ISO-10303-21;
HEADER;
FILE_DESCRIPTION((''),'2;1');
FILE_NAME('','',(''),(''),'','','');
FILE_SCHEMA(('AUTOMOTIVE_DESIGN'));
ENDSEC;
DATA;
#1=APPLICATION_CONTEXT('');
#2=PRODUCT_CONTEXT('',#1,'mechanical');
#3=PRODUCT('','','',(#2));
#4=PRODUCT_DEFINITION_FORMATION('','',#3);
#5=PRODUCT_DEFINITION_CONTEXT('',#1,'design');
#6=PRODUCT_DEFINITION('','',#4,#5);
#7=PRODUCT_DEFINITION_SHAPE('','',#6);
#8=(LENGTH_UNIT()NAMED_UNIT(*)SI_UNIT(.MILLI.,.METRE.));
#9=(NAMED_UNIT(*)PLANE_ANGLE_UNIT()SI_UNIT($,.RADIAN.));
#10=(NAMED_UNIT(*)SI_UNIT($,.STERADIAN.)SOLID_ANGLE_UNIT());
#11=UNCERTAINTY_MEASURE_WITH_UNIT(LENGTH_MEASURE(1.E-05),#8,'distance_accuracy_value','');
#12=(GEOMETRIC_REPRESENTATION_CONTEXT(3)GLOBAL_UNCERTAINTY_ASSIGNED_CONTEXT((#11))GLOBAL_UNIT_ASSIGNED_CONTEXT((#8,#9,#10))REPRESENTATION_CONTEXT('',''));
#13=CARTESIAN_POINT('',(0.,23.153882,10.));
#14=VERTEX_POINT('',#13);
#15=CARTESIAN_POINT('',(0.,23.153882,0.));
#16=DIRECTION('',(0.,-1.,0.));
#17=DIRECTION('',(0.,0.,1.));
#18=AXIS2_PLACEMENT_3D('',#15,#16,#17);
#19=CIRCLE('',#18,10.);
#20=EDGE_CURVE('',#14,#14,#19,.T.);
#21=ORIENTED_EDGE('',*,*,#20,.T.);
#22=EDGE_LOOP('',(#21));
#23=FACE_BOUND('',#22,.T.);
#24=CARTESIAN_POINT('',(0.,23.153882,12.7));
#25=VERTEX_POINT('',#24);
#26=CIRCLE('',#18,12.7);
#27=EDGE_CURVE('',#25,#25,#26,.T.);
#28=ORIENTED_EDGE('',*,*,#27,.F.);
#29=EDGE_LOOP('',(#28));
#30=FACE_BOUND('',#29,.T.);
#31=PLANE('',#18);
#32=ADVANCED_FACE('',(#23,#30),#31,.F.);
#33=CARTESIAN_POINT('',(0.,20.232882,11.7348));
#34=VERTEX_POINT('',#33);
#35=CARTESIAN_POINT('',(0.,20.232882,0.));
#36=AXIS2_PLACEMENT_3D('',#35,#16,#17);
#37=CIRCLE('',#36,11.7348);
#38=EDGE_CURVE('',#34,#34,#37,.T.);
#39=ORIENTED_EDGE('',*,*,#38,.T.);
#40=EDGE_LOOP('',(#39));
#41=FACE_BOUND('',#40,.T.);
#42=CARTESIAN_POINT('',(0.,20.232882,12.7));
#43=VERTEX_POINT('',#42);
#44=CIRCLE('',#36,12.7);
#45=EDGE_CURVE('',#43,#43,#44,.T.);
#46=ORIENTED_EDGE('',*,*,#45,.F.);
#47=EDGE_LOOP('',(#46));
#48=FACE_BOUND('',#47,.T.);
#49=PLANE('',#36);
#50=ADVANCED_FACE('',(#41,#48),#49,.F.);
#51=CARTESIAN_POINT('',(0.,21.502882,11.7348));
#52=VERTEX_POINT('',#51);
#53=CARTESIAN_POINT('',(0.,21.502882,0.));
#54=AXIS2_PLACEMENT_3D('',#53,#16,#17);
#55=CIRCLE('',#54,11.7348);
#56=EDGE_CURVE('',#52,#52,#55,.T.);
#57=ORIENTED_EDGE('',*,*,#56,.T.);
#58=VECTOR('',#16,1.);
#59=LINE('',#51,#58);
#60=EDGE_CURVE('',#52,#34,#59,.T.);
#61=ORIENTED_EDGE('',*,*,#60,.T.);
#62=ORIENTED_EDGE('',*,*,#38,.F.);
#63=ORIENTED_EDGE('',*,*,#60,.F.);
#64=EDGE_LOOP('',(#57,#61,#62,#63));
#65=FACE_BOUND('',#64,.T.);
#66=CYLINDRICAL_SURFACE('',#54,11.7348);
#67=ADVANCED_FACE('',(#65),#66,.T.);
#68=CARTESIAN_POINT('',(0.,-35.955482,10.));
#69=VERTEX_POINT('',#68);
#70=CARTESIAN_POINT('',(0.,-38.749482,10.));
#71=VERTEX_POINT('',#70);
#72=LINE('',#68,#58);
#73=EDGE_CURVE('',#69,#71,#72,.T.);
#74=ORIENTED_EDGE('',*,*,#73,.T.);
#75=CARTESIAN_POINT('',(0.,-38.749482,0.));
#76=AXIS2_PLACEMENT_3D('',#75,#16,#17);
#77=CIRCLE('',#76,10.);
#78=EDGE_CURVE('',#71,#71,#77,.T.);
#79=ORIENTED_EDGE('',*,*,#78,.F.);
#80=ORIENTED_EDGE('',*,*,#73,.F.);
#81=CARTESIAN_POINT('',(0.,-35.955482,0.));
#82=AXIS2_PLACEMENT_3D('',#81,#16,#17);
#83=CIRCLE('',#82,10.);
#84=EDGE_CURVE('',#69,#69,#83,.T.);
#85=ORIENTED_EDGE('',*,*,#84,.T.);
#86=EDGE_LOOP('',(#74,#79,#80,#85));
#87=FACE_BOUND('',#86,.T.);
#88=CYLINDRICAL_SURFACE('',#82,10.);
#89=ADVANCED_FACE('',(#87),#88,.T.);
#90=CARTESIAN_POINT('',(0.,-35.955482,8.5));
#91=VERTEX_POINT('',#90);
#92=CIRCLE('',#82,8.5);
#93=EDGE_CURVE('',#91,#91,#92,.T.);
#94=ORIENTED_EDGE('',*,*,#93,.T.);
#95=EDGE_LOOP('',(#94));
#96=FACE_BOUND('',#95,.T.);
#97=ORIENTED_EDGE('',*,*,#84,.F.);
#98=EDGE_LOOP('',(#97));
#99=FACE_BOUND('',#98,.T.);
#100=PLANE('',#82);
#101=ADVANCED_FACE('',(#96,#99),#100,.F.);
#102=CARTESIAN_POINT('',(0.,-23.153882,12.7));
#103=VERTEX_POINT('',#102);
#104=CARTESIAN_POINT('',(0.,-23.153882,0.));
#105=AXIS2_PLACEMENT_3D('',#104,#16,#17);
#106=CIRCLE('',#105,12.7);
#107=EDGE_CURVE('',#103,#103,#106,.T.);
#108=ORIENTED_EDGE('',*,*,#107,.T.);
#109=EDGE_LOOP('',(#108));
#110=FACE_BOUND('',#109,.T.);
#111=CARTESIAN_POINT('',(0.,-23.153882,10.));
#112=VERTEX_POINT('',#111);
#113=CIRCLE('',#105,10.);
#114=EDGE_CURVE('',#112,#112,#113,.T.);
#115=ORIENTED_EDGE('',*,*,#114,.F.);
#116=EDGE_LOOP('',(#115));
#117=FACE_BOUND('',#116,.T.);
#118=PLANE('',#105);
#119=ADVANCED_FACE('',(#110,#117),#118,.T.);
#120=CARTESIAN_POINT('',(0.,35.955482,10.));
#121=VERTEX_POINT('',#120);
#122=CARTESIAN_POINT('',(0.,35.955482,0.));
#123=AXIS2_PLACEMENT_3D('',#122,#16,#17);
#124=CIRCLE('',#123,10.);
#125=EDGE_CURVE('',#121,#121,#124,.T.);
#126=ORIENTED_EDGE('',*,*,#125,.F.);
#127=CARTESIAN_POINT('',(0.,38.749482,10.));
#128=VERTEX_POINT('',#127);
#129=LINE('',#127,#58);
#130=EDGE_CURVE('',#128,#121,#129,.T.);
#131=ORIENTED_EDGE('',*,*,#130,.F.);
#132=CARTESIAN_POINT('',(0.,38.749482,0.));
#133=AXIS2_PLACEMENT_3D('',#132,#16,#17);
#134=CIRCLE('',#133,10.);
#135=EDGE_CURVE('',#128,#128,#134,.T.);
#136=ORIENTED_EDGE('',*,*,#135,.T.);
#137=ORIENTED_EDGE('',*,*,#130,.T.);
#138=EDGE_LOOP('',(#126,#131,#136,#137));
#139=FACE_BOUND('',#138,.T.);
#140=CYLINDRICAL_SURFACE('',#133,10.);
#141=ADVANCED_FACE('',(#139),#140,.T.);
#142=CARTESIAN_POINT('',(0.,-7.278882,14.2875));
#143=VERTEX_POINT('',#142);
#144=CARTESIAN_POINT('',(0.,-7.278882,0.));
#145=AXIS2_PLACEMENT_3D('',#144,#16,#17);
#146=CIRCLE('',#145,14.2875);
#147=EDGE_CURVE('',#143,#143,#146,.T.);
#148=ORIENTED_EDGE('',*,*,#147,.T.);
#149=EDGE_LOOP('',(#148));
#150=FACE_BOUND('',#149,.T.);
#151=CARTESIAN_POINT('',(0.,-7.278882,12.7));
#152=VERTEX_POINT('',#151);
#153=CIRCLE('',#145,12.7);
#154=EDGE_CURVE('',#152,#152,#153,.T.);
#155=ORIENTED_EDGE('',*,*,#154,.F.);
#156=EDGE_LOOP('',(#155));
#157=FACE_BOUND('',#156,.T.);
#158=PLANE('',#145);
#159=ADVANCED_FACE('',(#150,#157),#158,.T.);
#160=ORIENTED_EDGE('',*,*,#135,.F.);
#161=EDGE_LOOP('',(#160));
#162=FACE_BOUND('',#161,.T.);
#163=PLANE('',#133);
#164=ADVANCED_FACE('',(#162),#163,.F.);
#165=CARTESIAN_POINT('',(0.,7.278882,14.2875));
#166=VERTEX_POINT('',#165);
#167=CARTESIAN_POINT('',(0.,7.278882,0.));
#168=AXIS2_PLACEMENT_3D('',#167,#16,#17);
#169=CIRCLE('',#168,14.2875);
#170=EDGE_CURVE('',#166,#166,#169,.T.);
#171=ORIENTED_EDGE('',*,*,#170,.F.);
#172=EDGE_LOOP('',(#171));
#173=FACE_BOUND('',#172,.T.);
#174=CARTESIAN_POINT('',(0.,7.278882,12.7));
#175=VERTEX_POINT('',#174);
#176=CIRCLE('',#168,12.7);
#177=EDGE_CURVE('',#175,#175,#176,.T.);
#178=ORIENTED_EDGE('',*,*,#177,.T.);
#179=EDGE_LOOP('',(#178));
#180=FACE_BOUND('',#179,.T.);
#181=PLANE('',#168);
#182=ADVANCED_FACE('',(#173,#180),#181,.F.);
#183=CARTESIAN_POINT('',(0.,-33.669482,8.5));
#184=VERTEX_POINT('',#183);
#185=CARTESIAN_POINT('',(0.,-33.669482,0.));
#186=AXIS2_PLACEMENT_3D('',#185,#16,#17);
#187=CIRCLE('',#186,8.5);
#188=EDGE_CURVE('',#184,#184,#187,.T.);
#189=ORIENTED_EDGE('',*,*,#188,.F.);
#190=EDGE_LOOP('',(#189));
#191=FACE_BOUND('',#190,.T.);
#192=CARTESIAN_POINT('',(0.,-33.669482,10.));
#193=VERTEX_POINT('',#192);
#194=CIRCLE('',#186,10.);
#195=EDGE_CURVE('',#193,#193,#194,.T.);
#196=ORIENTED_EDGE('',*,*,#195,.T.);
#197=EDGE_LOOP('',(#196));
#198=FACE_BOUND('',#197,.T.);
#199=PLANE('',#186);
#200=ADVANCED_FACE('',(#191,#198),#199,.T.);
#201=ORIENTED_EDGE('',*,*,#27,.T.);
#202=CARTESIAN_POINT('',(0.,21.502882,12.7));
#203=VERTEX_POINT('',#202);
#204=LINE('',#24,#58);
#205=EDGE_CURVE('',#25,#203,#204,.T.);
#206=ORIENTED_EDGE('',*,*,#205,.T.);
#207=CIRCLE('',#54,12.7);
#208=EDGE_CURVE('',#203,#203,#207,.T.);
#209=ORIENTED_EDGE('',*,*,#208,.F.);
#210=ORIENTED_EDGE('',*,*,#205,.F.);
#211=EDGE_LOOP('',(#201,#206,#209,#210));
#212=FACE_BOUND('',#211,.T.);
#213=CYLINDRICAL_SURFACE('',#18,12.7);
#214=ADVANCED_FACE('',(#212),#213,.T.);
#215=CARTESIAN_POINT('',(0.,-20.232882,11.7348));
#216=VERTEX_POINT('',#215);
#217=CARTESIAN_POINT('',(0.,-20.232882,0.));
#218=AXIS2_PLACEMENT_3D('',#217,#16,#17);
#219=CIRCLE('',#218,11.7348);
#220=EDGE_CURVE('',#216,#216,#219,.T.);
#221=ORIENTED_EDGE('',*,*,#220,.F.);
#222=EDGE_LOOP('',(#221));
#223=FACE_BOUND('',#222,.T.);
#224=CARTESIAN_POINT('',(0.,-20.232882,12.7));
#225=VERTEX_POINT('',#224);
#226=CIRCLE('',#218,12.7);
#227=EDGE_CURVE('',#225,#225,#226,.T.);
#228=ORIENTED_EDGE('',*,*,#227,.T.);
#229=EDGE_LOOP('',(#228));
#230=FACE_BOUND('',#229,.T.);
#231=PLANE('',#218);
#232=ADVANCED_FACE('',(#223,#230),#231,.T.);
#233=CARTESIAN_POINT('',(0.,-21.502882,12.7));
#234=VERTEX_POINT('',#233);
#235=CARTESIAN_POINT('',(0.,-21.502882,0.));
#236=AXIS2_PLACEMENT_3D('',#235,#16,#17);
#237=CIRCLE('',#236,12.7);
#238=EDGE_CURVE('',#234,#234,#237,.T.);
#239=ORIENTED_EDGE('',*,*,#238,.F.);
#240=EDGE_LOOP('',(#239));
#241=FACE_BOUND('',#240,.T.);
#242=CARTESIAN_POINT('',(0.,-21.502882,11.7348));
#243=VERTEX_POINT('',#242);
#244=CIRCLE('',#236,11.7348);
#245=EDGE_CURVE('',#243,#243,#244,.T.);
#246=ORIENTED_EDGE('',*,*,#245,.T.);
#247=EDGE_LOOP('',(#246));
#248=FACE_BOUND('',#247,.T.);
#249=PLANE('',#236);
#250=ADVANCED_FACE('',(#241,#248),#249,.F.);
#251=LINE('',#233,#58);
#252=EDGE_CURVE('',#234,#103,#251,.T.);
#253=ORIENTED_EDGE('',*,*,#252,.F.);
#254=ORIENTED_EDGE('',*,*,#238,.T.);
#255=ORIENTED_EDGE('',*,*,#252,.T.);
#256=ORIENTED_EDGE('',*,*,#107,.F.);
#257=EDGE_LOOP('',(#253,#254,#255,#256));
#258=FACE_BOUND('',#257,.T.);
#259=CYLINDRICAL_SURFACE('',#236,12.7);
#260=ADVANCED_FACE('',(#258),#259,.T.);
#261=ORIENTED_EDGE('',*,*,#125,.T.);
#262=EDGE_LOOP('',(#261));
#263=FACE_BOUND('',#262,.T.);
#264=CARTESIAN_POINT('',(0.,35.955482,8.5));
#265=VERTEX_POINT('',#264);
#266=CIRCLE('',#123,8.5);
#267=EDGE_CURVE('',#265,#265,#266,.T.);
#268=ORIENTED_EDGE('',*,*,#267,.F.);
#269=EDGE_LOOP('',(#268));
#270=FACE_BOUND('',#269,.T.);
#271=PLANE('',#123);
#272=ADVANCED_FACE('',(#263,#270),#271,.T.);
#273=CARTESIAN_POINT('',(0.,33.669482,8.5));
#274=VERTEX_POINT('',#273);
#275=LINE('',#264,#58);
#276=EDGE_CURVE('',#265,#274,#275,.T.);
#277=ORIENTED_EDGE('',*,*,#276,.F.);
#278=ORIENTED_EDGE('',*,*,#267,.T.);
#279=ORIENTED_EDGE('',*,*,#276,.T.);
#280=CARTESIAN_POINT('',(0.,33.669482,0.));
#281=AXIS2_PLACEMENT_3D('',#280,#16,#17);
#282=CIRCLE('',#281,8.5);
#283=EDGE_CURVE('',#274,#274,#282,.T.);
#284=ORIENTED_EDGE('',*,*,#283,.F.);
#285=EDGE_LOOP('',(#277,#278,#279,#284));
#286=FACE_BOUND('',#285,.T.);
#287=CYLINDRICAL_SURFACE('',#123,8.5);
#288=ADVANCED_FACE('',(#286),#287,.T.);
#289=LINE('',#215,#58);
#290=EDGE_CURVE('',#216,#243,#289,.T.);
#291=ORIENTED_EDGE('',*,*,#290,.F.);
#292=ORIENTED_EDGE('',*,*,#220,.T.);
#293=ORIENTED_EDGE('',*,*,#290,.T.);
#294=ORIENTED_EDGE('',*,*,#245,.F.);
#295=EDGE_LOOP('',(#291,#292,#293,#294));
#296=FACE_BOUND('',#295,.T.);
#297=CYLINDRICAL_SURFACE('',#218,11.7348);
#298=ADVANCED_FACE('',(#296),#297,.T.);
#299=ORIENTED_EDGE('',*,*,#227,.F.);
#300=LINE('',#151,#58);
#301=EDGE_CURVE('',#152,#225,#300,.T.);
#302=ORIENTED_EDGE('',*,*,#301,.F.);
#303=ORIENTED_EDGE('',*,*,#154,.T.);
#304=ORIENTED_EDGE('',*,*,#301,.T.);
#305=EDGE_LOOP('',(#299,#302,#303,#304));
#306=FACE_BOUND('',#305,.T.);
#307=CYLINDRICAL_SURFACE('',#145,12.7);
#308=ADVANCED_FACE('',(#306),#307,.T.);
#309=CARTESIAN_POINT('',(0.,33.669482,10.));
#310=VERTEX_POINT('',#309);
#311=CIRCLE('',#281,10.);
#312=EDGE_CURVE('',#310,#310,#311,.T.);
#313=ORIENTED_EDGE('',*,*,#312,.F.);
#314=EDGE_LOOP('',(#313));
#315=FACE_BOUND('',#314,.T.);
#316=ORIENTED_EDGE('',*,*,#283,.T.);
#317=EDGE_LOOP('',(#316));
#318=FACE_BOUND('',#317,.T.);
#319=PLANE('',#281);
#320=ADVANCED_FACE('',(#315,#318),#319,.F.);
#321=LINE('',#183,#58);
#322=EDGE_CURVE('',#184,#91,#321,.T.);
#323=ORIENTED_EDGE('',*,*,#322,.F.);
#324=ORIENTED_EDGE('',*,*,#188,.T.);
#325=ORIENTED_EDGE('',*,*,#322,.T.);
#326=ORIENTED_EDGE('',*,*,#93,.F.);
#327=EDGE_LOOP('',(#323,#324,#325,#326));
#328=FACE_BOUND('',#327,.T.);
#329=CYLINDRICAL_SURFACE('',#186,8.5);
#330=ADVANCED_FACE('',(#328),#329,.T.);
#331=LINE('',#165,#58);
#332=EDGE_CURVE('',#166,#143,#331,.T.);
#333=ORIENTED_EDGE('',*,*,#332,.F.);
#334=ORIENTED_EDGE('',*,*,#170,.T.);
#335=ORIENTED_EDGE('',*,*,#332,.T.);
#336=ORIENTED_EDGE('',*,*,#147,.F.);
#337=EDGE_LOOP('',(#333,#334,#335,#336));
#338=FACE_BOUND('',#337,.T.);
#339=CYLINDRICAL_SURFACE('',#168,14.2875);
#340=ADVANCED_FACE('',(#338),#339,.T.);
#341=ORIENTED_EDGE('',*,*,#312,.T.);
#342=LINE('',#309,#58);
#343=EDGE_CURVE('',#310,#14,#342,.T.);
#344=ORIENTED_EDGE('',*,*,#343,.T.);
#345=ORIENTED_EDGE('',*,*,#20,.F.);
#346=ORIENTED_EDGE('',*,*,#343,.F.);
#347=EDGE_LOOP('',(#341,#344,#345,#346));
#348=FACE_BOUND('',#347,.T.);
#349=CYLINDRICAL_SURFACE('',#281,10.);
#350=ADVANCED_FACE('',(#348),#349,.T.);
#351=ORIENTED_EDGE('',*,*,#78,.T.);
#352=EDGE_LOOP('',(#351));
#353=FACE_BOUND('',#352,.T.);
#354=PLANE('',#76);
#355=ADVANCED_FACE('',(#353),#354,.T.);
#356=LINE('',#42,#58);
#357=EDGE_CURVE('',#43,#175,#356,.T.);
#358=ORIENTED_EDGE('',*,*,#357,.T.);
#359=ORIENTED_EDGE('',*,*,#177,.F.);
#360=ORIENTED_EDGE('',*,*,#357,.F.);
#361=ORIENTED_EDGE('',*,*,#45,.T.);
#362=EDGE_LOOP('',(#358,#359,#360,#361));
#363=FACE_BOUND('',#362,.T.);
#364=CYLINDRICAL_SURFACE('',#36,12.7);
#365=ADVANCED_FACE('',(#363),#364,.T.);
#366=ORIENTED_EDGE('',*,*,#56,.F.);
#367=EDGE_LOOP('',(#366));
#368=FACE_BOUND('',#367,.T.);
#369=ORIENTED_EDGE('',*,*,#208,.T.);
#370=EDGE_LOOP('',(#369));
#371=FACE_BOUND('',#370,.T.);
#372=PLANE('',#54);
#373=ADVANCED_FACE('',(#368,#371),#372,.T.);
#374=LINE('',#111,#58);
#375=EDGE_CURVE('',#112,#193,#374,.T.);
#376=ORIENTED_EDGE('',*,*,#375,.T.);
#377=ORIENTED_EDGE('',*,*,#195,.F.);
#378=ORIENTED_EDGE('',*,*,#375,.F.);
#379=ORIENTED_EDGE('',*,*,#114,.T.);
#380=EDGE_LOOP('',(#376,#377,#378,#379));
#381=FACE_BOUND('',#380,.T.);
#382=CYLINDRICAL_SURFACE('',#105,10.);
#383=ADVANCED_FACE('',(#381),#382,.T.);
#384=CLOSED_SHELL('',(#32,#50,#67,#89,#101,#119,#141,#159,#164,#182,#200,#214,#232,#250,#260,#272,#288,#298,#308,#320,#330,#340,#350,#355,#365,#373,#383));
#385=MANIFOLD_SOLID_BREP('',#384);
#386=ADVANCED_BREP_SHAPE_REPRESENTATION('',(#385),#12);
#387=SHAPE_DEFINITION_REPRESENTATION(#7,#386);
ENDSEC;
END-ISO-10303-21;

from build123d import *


with BuildPart() as f1:
    # F0 (on Right) → F1 (revolve)
    with BuildSketch(Plane.YZ):
        Polygon((-23.153882, 10), (-23.153882, 0), (-7.278882, 0), (-7.278882, 12.7), (-20.232882, 12.7), (-20.232882, 11.7348), (-21.502882, 11.7348), (-21.502882, 12.7), (-23.153882, 12.7), align=None)
        Polygon((-7.278882, 12.7), (-7.278882, 0), (0, 0), (7.278882, 0), (7.278882, 12.7), (7.278882, 14.2875), (0, 14.2875), (-7.278882, 14.2875), align=None)
        Polygon((7.278882, 12.7), (7.278882, 0), (23.153882, 0), (23.153882, 10), (23.153882, 12.7), (21.502882, 12.7), (21.502882, 11.7348), (20.232882, 11.7348), (20.232882, 12.7), align=None)
        Polygon((23.153882, 10), (23.153882, 0), (38.749482, 0), (38.749482, 10), (35.955482, 10), (35.955482, 8.5), (33.669482, 8.5), (33.669482, 10), align=None)
        Polygon((-35.955482, 10), (-38.749482, 10), (-38.749482, 0), (-23.153882, 0), (-23.153882, 10), (-33.669482, 10), (-33.669482, 8.5), (-35.955482, 8.5), align=None)
    revolve(axis=Axis((0, 24.889843, 0), (0, -1, 0)))


solid = f1.part
